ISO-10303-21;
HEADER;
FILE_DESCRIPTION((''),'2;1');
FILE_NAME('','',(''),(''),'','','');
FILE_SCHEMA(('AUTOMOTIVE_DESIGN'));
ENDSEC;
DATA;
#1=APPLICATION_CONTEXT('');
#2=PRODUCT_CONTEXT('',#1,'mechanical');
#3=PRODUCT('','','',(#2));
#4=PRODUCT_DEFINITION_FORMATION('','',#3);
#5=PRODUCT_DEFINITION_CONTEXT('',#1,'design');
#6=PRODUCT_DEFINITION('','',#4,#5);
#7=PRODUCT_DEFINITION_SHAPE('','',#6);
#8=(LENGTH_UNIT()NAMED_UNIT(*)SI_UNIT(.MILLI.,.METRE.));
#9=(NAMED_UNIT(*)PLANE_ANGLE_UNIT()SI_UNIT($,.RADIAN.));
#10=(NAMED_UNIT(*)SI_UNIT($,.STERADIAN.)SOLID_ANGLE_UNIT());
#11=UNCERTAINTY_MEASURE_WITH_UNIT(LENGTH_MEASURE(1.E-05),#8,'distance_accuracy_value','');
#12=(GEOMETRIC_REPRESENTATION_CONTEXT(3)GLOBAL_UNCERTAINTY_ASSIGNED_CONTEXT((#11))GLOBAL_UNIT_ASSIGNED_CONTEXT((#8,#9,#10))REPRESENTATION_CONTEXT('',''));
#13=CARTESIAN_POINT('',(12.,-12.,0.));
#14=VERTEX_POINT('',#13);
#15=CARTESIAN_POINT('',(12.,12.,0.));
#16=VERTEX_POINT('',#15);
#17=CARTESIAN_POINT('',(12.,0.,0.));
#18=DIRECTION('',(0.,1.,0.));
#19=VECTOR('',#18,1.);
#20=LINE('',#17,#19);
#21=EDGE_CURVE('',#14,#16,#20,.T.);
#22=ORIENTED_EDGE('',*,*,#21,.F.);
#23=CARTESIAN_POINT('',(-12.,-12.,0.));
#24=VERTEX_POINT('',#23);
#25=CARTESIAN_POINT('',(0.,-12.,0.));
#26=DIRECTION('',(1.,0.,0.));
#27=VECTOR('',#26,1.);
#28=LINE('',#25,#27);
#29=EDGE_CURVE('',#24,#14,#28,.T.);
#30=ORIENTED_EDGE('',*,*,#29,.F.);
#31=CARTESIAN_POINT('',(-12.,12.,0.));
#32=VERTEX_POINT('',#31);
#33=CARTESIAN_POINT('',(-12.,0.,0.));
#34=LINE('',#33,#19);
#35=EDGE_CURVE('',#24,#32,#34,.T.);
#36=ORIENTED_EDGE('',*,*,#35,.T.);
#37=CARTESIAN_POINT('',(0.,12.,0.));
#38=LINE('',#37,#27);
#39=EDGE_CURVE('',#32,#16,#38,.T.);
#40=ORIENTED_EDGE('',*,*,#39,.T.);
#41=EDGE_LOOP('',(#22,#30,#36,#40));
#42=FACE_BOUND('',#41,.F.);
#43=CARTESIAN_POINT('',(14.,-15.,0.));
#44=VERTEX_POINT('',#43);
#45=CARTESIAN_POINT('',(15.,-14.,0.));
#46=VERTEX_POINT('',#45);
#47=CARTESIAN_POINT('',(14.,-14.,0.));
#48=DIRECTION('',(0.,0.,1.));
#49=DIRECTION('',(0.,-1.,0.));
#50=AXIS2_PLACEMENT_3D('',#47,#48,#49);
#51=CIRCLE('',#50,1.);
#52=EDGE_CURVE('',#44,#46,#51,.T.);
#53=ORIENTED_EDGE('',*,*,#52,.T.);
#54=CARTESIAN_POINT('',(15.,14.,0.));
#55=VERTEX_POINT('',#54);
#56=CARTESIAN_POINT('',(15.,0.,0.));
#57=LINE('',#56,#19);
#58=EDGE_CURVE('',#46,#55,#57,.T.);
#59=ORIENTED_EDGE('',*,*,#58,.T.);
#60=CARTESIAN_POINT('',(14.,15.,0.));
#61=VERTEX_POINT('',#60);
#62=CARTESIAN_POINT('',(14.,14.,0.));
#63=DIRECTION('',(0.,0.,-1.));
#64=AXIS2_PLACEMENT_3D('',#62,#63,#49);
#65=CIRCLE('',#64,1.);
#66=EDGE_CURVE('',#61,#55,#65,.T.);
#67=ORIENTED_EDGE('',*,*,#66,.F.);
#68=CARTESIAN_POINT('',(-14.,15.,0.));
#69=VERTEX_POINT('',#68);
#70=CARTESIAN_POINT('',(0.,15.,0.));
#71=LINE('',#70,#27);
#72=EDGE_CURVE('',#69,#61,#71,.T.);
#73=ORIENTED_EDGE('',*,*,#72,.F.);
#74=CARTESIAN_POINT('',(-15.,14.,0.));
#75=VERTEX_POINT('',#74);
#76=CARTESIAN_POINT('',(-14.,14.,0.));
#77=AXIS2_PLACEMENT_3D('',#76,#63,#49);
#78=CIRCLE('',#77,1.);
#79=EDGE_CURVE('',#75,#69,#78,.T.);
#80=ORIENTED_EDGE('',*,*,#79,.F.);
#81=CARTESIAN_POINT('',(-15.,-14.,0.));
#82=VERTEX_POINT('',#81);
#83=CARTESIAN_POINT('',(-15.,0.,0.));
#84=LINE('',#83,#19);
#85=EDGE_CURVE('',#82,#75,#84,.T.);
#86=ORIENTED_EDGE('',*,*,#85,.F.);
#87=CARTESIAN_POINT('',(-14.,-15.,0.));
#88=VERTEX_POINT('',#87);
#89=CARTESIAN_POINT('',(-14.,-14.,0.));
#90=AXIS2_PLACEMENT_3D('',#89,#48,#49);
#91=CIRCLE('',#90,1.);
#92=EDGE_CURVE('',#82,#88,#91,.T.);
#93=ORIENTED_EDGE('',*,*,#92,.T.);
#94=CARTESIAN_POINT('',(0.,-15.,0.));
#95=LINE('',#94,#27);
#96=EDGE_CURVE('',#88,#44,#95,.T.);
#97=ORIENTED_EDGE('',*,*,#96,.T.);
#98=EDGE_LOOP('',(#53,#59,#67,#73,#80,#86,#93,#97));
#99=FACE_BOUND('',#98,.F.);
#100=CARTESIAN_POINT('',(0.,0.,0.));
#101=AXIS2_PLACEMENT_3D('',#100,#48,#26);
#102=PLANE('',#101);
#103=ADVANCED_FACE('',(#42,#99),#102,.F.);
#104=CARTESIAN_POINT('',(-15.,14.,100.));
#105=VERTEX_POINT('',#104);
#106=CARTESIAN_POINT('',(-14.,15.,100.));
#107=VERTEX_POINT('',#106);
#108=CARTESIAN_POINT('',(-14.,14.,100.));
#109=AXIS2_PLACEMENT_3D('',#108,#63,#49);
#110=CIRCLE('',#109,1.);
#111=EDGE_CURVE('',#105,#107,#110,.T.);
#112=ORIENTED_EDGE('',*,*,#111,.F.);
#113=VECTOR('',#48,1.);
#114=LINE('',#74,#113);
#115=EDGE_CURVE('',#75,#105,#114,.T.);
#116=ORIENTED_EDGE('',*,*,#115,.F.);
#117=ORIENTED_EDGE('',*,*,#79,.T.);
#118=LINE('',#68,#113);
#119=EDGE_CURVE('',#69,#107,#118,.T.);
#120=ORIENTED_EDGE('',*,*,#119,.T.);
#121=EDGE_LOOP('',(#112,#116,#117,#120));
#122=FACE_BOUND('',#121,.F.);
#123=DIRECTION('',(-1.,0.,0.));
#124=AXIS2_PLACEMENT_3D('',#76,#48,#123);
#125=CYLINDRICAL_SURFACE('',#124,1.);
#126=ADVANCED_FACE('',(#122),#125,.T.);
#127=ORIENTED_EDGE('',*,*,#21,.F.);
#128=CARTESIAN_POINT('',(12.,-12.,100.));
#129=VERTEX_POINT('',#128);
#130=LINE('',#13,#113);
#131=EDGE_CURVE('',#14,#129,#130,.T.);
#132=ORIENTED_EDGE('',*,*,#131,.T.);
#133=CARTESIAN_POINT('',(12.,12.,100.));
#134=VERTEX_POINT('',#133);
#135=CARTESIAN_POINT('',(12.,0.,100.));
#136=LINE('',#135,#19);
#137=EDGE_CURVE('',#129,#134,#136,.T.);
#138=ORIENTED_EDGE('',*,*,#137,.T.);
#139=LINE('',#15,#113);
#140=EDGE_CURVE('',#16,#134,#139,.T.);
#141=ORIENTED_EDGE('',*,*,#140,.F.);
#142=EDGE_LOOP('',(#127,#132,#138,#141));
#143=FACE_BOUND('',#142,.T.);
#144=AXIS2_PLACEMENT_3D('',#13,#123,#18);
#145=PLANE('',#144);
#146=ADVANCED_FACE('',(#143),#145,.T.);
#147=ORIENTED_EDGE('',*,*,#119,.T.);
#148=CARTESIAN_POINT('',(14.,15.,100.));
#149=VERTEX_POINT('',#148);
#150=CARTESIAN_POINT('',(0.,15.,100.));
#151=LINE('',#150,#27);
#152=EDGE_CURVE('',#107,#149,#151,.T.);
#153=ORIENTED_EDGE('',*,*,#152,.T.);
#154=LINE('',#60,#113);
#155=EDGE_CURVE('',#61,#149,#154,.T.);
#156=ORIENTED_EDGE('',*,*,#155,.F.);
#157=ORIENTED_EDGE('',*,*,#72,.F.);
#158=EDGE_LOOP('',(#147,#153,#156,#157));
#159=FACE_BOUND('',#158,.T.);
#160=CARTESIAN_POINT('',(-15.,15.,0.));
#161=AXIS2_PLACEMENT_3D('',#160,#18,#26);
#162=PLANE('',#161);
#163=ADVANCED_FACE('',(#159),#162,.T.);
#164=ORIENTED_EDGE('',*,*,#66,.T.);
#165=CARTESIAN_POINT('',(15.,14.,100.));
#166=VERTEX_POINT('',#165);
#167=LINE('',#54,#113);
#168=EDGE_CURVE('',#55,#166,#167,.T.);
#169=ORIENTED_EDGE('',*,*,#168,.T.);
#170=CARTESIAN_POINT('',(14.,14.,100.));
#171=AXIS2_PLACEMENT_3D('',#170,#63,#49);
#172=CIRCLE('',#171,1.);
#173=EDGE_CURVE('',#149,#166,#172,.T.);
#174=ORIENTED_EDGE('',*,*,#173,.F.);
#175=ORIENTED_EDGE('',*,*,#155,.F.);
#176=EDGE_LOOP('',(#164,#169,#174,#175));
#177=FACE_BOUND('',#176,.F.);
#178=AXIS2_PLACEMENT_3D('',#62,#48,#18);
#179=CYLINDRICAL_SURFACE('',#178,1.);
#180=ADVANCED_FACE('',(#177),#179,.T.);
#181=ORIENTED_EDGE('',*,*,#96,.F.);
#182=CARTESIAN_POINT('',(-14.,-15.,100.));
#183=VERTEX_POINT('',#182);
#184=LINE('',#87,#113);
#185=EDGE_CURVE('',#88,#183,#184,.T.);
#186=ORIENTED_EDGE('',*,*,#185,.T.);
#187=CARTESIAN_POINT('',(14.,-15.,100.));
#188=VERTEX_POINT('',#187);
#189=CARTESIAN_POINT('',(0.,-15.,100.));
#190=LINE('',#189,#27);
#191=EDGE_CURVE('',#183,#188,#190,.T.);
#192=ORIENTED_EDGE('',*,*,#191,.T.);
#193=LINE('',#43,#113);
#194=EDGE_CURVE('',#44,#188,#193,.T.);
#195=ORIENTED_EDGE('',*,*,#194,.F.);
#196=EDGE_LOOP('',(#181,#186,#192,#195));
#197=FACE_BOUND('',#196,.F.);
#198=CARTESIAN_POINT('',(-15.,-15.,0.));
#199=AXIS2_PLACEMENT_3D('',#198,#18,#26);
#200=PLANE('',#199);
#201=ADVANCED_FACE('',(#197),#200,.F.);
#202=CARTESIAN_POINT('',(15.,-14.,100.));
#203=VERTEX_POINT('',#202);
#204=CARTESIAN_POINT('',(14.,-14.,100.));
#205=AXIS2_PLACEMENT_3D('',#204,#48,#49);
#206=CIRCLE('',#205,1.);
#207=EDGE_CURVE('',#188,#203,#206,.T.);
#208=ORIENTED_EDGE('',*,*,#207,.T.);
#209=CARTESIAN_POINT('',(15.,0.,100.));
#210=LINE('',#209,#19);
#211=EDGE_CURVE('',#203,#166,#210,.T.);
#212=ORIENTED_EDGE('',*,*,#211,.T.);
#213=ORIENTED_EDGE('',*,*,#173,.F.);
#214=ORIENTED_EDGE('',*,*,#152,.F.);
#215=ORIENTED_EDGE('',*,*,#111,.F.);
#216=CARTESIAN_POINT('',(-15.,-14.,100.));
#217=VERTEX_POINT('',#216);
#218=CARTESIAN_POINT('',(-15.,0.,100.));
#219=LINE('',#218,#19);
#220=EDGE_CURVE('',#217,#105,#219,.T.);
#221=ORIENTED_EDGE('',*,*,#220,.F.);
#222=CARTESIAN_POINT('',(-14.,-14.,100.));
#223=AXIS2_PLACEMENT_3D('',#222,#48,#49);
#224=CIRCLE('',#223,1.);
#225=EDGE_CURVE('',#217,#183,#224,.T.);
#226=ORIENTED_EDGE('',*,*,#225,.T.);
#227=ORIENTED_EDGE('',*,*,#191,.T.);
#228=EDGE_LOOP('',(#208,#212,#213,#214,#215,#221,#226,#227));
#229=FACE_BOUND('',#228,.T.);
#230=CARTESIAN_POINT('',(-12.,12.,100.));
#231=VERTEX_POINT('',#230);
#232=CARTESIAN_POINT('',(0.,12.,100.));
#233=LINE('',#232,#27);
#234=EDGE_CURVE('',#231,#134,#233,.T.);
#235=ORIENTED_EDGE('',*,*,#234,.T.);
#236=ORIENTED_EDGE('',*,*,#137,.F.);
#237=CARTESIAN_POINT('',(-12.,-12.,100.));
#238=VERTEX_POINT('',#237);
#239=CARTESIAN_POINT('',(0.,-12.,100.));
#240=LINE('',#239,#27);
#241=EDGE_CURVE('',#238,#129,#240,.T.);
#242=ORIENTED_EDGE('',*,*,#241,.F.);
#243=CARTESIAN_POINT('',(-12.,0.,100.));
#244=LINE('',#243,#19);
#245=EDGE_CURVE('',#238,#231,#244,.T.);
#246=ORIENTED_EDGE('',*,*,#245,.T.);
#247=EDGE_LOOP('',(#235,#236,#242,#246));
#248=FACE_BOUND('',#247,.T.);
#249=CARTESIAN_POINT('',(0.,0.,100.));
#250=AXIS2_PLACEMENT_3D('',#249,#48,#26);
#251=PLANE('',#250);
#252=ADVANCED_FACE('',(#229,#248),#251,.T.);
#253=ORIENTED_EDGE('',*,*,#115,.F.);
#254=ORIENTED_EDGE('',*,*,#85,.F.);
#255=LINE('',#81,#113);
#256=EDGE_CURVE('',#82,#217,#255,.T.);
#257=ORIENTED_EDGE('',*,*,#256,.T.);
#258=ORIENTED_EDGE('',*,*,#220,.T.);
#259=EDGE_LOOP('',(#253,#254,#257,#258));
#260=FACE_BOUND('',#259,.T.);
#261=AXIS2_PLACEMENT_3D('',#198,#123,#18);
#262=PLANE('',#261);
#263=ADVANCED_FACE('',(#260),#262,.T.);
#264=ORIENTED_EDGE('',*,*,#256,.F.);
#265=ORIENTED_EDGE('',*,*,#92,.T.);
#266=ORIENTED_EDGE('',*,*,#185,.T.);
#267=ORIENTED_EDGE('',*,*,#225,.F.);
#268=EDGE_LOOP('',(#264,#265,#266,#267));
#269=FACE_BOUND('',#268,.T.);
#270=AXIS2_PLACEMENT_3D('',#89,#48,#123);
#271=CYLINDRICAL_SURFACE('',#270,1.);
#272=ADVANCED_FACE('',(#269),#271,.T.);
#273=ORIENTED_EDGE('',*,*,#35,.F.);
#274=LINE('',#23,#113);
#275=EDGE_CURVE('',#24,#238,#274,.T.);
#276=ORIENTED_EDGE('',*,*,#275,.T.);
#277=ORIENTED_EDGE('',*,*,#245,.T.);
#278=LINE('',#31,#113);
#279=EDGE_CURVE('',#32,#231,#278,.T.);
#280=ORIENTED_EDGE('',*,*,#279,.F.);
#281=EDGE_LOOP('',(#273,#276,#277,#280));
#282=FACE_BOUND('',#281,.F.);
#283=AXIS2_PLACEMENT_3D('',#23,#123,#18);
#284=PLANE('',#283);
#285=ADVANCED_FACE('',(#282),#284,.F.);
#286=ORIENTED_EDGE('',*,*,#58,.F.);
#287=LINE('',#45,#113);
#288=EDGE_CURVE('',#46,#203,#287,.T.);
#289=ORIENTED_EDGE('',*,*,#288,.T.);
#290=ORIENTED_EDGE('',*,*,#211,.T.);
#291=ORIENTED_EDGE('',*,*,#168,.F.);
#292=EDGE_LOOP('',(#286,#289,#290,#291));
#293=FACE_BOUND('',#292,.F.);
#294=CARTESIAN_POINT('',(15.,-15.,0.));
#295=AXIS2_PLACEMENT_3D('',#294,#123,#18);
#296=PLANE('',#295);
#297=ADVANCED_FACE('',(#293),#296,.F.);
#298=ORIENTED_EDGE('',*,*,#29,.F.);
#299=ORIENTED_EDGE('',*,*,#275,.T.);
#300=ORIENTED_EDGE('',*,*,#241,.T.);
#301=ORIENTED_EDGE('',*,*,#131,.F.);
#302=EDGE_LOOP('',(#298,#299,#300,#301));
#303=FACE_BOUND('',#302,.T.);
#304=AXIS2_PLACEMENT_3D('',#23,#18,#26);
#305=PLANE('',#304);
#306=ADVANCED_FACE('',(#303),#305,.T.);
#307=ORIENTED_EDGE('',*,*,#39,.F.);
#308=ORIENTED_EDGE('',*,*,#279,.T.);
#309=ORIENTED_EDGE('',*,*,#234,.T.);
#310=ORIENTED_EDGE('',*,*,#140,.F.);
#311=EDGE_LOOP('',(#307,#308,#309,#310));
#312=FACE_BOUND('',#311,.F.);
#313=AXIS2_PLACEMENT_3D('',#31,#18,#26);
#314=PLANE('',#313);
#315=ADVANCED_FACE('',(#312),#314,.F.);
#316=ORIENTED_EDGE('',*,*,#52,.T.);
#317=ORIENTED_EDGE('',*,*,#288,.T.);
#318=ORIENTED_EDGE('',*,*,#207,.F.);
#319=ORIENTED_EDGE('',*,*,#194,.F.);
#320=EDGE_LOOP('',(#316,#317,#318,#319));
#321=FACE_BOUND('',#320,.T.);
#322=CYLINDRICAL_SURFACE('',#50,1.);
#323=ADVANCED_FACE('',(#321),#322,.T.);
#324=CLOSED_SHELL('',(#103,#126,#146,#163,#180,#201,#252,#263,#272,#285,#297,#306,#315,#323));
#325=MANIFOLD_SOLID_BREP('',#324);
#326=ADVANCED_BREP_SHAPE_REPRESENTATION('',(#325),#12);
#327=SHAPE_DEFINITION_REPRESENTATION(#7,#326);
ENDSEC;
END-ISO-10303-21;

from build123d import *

# Parameters (mm, degrees)
SKETCH_W   = 30
SKETCH_H   = 30
SKETCH_W_2 = 24
SKETCH_H_2 = 24
PAD_DEPTH  = 100
FILLET_R   = 1


with BuildPart() as part:
    # Sketch → Pad (new body)
    with BuildSketch(Plane.XY):
        Rectangle(SKETCH_W, SKETCH_H)
        Rectangle(SKETCH_W_2, SKETCH_H_2, mode=Mode.SUBTRACT)
    extrude(amount=PAD_DEPTH)

    # Fillet
    fillet_edges = [part.edges().sort_by_distance(p)[0] for p in [
        (15, -15, 50),
        (15, 15, 50),
        (-15, -15, 50),
        (-15, 15, 50),
    ]]
    fillet(fillet_edges, radius=FILLET_R)


solid = part.part
